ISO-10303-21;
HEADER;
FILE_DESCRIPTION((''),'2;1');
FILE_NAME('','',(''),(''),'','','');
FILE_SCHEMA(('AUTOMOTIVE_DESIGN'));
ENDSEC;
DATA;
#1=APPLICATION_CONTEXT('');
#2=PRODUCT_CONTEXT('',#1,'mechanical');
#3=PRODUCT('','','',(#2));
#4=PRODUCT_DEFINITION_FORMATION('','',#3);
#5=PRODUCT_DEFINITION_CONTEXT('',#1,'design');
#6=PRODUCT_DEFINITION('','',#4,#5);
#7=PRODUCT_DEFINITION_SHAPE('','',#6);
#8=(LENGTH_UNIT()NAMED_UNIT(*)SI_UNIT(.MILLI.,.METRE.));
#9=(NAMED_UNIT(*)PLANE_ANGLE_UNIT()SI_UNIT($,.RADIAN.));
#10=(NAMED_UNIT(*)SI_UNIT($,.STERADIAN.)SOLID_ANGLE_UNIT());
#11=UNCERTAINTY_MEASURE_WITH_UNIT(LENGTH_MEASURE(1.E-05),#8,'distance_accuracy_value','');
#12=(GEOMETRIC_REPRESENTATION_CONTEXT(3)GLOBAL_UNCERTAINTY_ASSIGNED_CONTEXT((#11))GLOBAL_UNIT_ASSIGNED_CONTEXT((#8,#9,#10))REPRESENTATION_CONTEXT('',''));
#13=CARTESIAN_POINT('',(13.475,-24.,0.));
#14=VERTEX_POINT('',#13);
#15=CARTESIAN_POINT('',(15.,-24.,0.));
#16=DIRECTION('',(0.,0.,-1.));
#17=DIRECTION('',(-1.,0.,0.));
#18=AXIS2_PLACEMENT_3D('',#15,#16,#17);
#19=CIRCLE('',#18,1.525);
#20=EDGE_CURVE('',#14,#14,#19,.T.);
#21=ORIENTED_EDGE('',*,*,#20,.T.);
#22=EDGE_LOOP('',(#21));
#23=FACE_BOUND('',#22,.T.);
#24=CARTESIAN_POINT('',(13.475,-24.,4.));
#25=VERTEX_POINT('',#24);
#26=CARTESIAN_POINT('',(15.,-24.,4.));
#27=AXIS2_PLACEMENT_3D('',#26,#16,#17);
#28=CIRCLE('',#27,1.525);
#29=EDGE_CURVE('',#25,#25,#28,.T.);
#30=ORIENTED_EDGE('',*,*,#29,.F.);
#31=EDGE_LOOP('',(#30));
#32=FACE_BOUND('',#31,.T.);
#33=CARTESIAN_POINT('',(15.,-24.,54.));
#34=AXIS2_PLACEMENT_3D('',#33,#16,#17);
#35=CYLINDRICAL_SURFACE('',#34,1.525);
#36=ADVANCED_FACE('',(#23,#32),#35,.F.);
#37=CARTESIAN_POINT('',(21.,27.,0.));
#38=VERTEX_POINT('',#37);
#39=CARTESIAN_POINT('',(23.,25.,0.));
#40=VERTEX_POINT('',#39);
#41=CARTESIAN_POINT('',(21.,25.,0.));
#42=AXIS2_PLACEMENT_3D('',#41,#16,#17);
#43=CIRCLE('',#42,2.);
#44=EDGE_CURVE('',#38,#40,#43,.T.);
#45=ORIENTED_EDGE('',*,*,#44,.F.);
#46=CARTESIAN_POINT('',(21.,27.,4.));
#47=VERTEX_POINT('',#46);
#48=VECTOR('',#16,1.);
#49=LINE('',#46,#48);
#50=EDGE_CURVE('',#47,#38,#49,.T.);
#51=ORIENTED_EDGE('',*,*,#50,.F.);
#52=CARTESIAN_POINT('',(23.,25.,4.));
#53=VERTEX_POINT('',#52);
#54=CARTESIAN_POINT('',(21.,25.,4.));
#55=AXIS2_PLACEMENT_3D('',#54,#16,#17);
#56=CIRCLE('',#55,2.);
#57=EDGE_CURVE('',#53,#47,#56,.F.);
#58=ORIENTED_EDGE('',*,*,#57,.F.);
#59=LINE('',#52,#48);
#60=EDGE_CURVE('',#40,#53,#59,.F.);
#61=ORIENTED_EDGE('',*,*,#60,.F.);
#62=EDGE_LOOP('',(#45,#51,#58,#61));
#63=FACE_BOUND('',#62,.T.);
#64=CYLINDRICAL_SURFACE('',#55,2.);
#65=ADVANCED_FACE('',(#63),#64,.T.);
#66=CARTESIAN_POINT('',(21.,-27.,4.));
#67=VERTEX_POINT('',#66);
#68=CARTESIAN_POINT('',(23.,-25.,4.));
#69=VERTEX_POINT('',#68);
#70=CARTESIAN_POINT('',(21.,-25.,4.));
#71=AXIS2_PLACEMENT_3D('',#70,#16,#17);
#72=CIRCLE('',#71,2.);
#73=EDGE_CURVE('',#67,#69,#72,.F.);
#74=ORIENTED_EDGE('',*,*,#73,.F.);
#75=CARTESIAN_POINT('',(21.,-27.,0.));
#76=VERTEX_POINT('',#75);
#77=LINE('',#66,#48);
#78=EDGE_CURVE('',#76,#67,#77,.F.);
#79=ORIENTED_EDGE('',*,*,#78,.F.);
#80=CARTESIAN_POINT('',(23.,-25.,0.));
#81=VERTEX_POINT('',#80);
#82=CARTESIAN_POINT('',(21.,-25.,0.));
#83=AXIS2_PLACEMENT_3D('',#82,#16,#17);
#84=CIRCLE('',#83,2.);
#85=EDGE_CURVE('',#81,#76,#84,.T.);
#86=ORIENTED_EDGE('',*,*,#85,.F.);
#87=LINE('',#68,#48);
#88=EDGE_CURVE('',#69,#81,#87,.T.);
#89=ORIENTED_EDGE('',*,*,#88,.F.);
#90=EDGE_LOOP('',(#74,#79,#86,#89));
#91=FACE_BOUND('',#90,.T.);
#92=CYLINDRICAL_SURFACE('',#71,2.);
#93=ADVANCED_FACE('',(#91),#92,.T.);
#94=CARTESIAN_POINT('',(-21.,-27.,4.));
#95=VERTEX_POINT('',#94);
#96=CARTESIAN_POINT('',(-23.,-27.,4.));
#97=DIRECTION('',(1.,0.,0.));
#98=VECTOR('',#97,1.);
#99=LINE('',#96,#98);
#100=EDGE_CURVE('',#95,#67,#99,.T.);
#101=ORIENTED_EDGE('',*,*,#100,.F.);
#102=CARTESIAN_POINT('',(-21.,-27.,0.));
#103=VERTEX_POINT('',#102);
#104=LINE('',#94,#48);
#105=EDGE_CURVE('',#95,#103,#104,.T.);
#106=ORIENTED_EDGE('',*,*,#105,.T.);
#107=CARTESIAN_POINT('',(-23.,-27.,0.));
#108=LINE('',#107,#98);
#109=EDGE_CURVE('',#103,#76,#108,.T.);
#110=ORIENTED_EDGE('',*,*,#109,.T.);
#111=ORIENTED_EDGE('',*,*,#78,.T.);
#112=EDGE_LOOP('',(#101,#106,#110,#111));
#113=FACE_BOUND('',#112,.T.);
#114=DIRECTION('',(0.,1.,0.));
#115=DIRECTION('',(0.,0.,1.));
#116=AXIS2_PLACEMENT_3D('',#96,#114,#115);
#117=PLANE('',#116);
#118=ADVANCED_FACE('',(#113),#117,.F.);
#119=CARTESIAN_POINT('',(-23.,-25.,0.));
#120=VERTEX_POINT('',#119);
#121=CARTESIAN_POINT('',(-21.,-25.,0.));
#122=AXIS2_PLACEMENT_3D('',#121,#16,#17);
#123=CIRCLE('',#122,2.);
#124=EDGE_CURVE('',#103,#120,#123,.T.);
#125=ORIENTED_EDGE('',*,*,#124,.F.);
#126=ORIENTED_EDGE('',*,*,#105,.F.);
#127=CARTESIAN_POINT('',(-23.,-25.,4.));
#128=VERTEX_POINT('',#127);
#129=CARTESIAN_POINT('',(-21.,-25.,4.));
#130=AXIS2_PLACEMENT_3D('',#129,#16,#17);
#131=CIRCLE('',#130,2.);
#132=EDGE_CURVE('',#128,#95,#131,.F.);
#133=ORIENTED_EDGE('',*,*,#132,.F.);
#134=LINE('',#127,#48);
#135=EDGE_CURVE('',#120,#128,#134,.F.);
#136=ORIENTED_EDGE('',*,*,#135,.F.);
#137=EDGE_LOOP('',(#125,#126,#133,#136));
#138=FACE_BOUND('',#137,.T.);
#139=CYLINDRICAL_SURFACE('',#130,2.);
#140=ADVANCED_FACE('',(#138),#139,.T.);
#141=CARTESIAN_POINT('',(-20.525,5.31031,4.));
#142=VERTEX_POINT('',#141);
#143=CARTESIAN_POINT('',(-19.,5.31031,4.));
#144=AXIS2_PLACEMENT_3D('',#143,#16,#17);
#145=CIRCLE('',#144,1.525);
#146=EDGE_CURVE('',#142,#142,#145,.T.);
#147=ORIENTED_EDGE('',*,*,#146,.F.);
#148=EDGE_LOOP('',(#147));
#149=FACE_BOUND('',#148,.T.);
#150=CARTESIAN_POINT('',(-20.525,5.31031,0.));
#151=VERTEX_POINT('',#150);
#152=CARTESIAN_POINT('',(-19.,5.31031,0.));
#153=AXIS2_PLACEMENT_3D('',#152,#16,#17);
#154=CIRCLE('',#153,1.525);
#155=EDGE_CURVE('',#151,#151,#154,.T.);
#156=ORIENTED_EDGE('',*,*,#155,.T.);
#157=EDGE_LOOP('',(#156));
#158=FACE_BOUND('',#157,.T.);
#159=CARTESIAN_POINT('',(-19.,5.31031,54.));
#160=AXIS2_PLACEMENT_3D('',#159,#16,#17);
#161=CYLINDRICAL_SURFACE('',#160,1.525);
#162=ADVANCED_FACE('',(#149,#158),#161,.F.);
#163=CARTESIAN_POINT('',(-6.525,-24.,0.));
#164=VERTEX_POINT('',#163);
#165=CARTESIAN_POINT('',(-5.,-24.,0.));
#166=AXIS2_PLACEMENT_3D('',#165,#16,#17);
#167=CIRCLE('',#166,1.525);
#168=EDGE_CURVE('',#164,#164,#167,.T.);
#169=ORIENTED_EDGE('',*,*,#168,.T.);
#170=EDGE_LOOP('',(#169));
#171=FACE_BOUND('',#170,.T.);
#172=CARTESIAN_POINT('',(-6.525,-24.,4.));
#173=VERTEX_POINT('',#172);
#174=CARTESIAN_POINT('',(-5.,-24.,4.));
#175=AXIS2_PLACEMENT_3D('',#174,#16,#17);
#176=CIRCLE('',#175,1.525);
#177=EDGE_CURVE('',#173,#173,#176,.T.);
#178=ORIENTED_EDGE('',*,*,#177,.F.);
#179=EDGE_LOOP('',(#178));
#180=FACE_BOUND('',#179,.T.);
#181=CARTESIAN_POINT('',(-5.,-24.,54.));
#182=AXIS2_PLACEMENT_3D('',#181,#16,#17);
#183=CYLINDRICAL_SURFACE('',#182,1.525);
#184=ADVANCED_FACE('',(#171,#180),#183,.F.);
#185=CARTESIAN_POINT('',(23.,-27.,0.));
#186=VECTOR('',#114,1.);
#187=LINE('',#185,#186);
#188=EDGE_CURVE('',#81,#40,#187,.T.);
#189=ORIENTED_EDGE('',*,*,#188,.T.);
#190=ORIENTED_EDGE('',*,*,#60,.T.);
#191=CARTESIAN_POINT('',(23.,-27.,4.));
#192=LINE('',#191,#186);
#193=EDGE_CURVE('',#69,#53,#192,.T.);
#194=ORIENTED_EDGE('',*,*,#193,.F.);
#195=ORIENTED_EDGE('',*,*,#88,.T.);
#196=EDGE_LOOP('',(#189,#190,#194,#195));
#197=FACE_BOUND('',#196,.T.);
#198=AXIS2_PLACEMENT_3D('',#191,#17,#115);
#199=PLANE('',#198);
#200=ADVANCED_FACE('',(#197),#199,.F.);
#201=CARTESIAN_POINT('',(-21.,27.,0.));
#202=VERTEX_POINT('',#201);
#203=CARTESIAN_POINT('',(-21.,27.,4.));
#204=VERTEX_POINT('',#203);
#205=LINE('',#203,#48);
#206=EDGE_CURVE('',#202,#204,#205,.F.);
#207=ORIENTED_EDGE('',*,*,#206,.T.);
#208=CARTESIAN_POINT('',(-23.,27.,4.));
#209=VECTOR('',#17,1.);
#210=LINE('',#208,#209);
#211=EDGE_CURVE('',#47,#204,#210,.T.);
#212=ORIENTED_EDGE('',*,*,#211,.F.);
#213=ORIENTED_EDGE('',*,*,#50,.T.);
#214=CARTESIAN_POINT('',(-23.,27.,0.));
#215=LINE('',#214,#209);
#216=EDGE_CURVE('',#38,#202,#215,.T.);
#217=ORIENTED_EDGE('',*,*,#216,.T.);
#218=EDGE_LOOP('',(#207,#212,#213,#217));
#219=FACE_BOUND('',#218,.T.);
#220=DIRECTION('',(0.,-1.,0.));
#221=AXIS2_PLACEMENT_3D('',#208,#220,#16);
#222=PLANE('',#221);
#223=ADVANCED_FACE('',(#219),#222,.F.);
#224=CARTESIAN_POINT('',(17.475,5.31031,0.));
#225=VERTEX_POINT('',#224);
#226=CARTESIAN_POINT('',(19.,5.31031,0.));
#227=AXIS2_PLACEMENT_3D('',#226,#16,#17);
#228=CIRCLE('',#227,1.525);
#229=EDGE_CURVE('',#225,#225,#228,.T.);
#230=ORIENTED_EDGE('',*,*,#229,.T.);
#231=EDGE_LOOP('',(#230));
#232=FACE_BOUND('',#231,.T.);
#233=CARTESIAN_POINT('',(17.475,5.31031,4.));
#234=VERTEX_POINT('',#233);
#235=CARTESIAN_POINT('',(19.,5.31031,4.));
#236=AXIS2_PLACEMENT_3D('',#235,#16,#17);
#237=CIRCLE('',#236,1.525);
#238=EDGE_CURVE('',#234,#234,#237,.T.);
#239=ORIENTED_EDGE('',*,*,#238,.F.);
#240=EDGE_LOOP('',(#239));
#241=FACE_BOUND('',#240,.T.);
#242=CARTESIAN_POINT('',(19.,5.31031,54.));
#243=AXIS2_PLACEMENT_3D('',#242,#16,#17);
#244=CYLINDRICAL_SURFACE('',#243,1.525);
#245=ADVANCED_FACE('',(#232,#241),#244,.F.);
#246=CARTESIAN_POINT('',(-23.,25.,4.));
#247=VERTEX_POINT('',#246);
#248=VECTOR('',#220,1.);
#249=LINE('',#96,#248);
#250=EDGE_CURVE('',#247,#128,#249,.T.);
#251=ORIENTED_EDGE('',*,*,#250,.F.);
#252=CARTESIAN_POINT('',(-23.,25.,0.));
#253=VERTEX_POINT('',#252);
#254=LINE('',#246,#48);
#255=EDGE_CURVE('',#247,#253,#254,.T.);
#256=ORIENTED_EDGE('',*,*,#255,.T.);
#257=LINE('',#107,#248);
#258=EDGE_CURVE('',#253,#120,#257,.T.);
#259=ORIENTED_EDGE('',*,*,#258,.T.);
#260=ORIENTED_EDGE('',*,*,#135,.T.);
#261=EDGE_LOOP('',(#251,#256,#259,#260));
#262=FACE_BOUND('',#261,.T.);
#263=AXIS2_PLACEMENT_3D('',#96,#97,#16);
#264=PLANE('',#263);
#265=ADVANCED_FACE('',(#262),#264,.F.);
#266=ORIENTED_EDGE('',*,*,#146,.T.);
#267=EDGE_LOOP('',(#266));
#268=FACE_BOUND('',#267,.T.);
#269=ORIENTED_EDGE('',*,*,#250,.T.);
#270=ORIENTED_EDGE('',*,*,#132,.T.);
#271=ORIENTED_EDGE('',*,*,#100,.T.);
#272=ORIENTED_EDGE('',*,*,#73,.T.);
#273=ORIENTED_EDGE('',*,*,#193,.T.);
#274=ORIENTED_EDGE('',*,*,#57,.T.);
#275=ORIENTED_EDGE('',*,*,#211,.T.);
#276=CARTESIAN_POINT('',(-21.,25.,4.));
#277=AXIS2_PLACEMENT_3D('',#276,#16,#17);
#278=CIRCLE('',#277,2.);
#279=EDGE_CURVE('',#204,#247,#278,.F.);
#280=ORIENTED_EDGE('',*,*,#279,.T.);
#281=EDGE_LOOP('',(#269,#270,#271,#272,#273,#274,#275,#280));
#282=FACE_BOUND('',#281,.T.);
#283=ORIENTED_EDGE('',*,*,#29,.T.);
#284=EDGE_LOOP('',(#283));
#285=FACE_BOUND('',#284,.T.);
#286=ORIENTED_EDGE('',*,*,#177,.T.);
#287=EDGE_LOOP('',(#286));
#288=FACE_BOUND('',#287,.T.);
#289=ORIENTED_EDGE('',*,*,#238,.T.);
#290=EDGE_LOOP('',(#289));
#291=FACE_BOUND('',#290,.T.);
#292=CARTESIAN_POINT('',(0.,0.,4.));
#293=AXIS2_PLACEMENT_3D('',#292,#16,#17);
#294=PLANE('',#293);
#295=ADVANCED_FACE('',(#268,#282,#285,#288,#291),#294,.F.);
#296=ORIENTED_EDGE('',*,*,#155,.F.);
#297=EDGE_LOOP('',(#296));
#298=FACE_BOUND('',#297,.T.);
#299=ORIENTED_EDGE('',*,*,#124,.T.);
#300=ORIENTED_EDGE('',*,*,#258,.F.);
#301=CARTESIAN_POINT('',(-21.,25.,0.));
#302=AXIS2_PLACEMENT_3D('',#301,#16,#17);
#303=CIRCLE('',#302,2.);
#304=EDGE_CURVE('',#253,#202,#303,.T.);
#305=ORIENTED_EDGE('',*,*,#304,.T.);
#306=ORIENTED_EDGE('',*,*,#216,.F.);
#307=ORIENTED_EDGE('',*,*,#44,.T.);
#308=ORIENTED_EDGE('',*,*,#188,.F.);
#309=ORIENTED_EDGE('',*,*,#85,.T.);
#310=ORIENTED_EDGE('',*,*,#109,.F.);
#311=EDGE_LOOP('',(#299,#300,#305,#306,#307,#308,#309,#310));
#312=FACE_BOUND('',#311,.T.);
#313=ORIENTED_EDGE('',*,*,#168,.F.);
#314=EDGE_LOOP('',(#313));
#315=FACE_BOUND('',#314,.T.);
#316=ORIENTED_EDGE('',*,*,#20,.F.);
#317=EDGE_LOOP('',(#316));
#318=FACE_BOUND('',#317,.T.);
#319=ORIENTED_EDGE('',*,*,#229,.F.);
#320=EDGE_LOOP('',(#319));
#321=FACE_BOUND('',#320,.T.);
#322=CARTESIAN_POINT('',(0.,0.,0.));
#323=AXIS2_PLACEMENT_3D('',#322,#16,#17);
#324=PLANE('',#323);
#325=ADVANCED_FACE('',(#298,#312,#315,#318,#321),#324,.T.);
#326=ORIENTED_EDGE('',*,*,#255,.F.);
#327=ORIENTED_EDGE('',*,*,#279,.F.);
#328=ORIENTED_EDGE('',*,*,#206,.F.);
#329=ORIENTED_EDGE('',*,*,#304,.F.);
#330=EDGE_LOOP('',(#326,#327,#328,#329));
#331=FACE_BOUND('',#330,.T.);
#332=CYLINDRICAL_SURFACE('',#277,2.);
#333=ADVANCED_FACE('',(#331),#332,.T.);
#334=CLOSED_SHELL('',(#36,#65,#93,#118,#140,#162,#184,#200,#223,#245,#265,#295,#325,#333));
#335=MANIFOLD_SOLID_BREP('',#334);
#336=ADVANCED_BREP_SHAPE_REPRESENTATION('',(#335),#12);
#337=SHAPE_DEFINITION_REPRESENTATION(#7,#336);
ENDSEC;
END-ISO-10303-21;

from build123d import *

# Parameters (mm, degrees)
SKETCH_1_W          = 46
SKETCH_1_H          = 54
EXTRUDE_1_DEPTH     = 4
SKETCH_5_R          = 1.525
CUT_EXTRUDE_1_DEPTH = 54
FILLET_1_R          = 2


with BuildPart() as part:
    # 草图1 → 凸台-拉伸1 (new body)
    with BuildSketch(Plane.XY):
        Rectangle(SKETCH_1_W, SKETCH_1_H)
    extrude(amount=EXTRUDE_1_DEPTH)

    # 草图5 → 切除-拉伸1 (cut)
    with BuildSketch(Plane(origin=(0, 0, 0), x_dir=(-1, 0, 0), z_dir=(0, 0, -1))):
        with Locations((5, -24)):
            Circle(SKETCH_5_R)
        with Locations((-15, -24)):
            Circle(SKETCH_5_R)
        with Locations((-19, 5.310310448)):
            Circle(SKETCH_5_R)
        with Locations((19, 5.310310448)):
            Circle(SKETCH_5_R)
    extrude(amount=-CUT_EXTRUDE_1_DEPTH, mode=Mode.SUBTRACT)

    # 圆角1
    fillet_1_edges = [part.edges().sort_by_distance(p)[0] for p in [
        (23, -27, 2),
        (-23, -27, 2),
        (-23, 27, 2),
        (23, 27, 2),
    ]]
    fillet(fillet_1_edges, radius=FILLET_1_R)


solid = part.part
